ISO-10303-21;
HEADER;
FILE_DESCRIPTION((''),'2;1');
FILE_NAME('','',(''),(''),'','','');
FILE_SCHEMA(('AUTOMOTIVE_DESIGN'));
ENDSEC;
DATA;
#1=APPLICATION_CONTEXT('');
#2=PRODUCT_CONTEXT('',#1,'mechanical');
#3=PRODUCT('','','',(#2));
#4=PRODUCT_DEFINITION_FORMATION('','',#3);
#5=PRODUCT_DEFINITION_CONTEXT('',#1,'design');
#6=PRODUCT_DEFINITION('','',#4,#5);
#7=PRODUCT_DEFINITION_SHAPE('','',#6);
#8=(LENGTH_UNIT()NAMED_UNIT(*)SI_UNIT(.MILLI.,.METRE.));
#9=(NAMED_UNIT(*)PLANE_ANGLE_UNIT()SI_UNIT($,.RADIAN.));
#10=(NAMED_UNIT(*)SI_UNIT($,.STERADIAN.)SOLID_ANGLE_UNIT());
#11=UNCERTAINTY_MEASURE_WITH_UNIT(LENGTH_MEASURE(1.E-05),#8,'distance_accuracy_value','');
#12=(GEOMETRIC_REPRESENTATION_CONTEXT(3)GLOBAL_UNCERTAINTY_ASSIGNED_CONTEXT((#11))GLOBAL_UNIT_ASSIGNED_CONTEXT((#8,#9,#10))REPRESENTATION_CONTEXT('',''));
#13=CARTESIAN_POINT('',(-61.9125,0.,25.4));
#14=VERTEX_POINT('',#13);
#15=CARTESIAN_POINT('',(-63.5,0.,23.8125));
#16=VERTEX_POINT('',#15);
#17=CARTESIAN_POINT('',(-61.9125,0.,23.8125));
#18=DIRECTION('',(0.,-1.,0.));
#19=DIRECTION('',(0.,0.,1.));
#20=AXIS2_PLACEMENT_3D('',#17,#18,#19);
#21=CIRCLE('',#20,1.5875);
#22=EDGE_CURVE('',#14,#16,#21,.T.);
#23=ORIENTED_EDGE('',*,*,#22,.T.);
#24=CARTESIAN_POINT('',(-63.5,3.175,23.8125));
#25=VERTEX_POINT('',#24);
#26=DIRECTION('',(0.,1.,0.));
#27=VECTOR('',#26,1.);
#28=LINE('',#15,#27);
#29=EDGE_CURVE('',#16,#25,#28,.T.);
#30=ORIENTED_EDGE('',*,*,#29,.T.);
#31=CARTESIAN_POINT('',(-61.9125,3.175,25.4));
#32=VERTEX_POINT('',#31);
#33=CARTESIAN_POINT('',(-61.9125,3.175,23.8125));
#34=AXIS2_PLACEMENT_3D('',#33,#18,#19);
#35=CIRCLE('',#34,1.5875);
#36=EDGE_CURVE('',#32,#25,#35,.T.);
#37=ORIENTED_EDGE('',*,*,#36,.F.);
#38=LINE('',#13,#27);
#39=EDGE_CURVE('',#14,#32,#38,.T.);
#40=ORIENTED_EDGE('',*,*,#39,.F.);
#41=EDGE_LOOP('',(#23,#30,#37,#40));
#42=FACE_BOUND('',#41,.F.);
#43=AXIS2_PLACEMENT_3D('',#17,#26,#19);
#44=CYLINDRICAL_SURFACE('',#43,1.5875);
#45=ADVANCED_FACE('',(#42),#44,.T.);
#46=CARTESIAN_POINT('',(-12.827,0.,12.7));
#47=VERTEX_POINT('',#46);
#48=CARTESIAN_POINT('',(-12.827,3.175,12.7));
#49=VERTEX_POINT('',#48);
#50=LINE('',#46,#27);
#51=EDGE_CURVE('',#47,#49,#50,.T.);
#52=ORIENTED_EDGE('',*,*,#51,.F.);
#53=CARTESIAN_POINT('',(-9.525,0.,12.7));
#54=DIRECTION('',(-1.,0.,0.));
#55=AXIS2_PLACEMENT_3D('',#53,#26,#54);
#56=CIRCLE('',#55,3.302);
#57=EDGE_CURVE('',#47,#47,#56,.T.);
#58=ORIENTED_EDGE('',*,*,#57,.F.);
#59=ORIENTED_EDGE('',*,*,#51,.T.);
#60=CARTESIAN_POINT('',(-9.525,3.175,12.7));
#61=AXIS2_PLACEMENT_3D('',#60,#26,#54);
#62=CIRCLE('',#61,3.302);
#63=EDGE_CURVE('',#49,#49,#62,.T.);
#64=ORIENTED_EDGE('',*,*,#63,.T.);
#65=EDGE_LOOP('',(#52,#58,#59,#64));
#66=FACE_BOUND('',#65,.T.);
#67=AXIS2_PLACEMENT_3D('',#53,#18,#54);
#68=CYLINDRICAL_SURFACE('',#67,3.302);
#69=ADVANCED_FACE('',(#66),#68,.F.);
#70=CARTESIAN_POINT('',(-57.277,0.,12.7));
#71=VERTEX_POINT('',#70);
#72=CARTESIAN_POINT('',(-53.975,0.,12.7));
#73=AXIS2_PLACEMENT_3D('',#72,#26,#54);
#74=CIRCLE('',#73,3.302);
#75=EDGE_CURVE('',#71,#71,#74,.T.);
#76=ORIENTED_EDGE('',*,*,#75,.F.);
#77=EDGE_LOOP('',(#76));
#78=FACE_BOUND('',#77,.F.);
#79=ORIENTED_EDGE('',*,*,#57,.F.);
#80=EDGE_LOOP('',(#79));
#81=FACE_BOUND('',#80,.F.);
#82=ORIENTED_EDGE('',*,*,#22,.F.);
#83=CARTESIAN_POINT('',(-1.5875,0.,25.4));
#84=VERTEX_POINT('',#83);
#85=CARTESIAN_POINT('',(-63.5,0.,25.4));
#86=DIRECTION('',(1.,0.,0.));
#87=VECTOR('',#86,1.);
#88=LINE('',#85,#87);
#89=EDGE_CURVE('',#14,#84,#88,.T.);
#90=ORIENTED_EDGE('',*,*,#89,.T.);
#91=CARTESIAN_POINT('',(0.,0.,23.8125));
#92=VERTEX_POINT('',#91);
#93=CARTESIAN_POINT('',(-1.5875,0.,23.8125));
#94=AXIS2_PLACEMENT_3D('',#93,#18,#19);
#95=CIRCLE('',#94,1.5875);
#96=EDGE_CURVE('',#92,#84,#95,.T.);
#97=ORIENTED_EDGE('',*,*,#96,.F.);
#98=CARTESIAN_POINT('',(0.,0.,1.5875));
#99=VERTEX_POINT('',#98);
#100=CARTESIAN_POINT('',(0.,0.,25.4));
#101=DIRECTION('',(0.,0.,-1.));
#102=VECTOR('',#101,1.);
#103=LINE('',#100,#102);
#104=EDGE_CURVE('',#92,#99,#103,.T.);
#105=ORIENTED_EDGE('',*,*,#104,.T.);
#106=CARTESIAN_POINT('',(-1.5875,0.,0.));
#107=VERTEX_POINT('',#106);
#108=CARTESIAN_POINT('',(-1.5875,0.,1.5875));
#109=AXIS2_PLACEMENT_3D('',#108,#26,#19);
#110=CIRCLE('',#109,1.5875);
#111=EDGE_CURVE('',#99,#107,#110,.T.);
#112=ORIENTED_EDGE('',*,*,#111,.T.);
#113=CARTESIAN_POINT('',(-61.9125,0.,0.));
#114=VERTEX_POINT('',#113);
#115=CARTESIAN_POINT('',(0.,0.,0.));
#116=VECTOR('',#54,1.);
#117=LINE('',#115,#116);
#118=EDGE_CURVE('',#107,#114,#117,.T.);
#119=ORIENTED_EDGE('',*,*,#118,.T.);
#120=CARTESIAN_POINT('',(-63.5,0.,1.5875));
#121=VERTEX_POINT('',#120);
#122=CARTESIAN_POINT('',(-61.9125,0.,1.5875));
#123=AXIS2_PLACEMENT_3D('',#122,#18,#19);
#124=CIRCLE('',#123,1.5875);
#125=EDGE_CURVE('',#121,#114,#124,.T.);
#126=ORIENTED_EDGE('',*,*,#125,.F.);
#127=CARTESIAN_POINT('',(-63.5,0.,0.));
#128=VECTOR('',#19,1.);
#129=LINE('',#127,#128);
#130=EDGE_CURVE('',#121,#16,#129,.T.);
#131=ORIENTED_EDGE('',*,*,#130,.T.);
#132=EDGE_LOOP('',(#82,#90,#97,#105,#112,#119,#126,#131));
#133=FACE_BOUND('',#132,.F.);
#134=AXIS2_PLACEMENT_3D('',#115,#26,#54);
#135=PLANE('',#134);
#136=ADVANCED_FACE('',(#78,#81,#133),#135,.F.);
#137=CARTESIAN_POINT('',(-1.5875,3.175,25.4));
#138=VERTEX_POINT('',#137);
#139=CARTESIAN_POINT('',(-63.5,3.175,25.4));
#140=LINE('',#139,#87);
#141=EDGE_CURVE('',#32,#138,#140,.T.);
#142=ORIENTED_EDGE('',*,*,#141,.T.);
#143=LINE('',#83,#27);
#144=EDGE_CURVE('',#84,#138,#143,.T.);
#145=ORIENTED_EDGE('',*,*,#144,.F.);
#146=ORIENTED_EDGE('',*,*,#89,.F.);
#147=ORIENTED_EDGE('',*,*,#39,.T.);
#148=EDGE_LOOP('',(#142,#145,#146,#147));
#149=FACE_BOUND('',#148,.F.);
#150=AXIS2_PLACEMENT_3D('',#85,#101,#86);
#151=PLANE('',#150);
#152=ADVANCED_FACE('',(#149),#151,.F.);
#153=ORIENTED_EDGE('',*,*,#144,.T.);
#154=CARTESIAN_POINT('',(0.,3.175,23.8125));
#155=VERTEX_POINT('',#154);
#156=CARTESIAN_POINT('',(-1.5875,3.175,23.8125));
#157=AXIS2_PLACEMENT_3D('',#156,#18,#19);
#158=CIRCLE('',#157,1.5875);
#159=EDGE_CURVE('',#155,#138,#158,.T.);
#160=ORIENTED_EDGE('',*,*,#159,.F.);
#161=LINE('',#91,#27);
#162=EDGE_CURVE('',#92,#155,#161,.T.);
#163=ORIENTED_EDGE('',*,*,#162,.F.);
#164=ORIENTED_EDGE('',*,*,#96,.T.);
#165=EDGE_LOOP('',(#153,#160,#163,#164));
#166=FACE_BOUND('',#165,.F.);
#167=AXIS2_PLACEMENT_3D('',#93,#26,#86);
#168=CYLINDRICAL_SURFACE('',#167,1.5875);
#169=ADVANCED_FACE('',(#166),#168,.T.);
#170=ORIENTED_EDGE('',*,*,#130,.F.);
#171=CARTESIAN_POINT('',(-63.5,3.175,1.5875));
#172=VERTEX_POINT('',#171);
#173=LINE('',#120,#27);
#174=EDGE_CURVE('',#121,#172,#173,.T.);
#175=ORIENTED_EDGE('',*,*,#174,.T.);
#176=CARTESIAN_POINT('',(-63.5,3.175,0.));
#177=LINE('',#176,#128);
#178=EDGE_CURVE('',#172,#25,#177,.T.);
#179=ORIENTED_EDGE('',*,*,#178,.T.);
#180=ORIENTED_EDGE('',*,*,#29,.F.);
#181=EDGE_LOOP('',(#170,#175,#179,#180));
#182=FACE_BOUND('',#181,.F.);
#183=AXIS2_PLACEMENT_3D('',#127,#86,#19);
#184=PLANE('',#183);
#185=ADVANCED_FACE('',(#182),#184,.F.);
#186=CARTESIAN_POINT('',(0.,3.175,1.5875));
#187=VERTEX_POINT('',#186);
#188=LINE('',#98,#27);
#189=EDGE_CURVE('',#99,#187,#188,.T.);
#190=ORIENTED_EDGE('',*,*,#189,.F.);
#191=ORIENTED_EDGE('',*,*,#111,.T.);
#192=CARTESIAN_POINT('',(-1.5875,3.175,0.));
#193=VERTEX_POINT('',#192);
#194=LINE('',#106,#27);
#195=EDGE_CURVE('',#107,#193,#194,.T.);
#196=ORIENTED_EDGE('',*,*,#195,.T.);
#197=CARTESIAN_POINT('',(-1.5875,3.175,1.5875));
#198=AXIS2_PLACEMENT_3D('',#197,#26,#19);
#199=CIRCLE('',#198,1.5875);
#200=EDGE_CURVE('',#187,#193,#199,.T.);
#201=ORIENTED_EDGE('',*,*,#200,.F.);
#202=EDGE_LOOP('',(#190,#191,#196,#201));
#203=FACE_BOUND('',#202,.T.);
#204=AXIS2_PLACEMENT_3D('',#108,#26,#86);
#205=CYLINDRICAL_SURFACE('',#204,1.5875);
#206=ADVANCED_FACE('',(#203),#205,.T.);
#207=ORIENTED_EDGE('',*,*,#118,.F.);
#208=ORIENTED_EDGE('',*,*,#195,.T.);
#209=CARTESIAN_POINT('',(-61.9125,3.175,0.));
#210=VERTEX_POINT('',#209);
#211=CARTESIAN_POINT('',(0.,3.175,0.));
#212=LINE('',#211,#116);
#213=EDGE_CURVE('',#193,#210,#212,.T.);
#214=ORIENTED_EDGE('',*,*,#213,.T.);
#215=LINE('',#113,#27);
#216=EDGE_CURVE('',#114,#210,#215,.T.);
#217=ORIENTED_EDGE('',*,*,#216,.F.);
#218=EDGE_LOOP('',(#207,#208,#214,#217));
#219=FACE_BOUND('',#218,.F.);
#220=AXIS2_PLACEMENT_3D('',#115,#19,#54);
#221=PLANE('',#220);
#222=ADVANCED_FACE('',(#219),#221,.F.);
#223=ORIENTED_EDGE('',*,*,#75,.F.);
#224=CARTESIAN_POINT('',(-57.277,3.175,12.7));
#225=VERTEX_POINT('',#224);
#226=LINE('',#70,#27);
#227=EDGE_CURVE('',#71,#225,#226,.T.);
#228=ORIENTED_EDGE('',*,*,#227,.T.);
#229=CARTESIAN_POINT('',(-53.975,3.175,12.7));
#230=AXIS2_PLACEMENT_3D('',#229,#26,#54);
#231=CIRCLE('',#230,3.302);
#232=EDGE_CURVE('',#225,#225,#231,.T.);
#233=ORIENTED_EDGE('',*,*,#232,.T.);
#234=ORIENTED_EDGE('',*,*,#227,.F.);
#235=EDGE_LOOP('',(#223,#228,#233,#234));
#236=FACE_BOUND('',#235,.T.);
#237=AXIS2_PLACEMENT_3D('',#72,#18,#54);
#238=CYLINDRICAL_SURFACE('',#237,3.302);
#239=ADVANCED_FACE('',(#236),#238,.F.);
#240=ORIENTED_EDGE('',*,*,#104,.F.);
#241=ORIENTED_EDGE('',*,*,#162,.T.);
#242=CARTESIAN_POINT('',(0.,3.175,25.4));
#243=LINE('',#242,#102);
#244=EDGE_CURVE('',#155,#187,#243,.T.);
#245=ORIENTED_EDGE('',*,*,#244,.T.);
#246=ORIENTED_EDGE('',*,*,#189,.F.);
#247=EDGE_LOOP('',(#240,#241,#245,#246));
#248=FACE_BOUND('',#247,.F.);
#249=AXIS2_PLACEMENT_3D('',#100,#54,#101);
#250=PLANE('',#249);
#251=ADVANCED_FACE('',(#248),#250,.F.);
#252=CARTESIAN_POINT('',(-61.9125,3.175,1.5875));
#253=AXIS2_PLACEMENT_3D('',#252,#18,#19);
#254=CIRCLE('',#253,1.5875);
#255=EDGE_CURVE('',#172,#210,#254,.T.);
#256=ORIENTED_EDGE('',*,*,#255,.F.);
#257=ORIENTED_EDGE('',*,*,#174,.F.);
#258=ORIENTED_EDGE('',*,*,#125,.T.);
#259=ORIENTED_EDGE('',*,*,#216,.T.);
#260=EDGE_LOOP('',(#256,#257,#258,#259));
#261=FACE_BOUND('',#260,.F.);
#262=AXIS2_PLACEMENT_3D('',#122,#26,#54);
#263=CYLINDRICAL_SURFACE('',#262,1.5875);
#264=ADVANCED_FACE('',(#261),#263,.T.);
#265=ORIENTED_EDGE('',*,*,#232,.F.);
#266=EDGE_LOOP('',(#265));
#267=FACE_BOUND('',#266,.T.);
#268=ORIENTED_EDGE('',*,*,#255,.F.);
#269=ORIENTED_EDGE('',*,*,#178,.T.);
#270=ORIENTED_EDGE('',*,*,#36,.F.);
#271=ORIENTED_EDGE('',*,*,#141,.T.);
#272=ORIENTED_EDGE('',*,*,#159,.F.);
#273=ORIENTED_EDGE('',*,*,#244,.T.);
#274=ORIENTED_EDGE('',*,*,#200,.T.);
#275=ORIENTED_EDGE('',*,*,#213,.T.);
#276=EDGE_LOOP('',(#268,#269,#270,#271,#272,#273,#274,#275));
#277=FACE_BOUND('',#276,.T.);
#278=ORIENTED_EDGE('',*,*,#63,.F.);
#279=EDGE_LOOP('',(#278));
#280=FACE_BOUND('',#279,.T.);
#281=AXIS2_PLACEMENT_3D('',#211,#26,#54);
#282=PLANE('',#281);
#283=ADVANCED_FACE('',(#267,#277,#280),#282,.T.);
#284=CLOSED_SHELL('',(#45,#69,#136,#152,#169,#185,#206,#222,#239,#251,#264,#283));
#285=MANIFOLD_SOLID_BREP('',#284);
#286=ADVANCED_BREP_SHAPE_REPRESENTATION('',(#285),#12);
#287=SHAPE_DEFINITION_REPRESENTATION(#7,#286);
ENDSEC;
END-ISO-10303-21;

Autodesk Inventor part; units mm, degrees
ref_plane "YZ Plane" through (0, 0, 0) normal (1, 0, 0) x (0, 1, 0)
ref_plane "XZ Plane" through (0, 0, 0) normal (0, 1, 0) x (-1, 0, 0)
ref_plane "XY Plane" through (0, 0, 0) normal (0, 0, 1) x (1, 0, 0)
sketch "Sketch1" plane through (0, 0, 0) normal (0, 1, 0) x (-1, 0, 0)
  line L0 (0, 0) -> (63.5, 0)
  line L1 (63.5, 0) -> (63.5, 25.4)
  line L2 (63.5, 25.4) -> (0, 25.4)
  line L3 (0, 25.4) -> (0, 0)
  circle A0 centre (9.525, 12.7) radius 3.302
  circle A1 centre (53.975, 12.7) radius 3.302
  line L4 (9.525, 12.7) -> (53.975, 12.7) construction
  line L5 (31.75, 25.4) -> (31.75, 0) construction
  point P0 (31.75, 12.7)
  dimension "d0" = 63.5
  dimension "d2" = 25.4
  dimension "d3" = 44.45
  dimension "d4" = 6.604
extrude "Extrusion1" add sketch "Sketch1" along normal blind 3.175
fillet "Fillet1" radius 1.5875 4 edges at (0, 1.5875, 25.4) (0, 1.5875, 0) (-63.5, 1.5875, 0) (-63.5, 1.5875, 25.4)
properties part number "Wheel Mount Support Plate" material "Aluminum 6061"
